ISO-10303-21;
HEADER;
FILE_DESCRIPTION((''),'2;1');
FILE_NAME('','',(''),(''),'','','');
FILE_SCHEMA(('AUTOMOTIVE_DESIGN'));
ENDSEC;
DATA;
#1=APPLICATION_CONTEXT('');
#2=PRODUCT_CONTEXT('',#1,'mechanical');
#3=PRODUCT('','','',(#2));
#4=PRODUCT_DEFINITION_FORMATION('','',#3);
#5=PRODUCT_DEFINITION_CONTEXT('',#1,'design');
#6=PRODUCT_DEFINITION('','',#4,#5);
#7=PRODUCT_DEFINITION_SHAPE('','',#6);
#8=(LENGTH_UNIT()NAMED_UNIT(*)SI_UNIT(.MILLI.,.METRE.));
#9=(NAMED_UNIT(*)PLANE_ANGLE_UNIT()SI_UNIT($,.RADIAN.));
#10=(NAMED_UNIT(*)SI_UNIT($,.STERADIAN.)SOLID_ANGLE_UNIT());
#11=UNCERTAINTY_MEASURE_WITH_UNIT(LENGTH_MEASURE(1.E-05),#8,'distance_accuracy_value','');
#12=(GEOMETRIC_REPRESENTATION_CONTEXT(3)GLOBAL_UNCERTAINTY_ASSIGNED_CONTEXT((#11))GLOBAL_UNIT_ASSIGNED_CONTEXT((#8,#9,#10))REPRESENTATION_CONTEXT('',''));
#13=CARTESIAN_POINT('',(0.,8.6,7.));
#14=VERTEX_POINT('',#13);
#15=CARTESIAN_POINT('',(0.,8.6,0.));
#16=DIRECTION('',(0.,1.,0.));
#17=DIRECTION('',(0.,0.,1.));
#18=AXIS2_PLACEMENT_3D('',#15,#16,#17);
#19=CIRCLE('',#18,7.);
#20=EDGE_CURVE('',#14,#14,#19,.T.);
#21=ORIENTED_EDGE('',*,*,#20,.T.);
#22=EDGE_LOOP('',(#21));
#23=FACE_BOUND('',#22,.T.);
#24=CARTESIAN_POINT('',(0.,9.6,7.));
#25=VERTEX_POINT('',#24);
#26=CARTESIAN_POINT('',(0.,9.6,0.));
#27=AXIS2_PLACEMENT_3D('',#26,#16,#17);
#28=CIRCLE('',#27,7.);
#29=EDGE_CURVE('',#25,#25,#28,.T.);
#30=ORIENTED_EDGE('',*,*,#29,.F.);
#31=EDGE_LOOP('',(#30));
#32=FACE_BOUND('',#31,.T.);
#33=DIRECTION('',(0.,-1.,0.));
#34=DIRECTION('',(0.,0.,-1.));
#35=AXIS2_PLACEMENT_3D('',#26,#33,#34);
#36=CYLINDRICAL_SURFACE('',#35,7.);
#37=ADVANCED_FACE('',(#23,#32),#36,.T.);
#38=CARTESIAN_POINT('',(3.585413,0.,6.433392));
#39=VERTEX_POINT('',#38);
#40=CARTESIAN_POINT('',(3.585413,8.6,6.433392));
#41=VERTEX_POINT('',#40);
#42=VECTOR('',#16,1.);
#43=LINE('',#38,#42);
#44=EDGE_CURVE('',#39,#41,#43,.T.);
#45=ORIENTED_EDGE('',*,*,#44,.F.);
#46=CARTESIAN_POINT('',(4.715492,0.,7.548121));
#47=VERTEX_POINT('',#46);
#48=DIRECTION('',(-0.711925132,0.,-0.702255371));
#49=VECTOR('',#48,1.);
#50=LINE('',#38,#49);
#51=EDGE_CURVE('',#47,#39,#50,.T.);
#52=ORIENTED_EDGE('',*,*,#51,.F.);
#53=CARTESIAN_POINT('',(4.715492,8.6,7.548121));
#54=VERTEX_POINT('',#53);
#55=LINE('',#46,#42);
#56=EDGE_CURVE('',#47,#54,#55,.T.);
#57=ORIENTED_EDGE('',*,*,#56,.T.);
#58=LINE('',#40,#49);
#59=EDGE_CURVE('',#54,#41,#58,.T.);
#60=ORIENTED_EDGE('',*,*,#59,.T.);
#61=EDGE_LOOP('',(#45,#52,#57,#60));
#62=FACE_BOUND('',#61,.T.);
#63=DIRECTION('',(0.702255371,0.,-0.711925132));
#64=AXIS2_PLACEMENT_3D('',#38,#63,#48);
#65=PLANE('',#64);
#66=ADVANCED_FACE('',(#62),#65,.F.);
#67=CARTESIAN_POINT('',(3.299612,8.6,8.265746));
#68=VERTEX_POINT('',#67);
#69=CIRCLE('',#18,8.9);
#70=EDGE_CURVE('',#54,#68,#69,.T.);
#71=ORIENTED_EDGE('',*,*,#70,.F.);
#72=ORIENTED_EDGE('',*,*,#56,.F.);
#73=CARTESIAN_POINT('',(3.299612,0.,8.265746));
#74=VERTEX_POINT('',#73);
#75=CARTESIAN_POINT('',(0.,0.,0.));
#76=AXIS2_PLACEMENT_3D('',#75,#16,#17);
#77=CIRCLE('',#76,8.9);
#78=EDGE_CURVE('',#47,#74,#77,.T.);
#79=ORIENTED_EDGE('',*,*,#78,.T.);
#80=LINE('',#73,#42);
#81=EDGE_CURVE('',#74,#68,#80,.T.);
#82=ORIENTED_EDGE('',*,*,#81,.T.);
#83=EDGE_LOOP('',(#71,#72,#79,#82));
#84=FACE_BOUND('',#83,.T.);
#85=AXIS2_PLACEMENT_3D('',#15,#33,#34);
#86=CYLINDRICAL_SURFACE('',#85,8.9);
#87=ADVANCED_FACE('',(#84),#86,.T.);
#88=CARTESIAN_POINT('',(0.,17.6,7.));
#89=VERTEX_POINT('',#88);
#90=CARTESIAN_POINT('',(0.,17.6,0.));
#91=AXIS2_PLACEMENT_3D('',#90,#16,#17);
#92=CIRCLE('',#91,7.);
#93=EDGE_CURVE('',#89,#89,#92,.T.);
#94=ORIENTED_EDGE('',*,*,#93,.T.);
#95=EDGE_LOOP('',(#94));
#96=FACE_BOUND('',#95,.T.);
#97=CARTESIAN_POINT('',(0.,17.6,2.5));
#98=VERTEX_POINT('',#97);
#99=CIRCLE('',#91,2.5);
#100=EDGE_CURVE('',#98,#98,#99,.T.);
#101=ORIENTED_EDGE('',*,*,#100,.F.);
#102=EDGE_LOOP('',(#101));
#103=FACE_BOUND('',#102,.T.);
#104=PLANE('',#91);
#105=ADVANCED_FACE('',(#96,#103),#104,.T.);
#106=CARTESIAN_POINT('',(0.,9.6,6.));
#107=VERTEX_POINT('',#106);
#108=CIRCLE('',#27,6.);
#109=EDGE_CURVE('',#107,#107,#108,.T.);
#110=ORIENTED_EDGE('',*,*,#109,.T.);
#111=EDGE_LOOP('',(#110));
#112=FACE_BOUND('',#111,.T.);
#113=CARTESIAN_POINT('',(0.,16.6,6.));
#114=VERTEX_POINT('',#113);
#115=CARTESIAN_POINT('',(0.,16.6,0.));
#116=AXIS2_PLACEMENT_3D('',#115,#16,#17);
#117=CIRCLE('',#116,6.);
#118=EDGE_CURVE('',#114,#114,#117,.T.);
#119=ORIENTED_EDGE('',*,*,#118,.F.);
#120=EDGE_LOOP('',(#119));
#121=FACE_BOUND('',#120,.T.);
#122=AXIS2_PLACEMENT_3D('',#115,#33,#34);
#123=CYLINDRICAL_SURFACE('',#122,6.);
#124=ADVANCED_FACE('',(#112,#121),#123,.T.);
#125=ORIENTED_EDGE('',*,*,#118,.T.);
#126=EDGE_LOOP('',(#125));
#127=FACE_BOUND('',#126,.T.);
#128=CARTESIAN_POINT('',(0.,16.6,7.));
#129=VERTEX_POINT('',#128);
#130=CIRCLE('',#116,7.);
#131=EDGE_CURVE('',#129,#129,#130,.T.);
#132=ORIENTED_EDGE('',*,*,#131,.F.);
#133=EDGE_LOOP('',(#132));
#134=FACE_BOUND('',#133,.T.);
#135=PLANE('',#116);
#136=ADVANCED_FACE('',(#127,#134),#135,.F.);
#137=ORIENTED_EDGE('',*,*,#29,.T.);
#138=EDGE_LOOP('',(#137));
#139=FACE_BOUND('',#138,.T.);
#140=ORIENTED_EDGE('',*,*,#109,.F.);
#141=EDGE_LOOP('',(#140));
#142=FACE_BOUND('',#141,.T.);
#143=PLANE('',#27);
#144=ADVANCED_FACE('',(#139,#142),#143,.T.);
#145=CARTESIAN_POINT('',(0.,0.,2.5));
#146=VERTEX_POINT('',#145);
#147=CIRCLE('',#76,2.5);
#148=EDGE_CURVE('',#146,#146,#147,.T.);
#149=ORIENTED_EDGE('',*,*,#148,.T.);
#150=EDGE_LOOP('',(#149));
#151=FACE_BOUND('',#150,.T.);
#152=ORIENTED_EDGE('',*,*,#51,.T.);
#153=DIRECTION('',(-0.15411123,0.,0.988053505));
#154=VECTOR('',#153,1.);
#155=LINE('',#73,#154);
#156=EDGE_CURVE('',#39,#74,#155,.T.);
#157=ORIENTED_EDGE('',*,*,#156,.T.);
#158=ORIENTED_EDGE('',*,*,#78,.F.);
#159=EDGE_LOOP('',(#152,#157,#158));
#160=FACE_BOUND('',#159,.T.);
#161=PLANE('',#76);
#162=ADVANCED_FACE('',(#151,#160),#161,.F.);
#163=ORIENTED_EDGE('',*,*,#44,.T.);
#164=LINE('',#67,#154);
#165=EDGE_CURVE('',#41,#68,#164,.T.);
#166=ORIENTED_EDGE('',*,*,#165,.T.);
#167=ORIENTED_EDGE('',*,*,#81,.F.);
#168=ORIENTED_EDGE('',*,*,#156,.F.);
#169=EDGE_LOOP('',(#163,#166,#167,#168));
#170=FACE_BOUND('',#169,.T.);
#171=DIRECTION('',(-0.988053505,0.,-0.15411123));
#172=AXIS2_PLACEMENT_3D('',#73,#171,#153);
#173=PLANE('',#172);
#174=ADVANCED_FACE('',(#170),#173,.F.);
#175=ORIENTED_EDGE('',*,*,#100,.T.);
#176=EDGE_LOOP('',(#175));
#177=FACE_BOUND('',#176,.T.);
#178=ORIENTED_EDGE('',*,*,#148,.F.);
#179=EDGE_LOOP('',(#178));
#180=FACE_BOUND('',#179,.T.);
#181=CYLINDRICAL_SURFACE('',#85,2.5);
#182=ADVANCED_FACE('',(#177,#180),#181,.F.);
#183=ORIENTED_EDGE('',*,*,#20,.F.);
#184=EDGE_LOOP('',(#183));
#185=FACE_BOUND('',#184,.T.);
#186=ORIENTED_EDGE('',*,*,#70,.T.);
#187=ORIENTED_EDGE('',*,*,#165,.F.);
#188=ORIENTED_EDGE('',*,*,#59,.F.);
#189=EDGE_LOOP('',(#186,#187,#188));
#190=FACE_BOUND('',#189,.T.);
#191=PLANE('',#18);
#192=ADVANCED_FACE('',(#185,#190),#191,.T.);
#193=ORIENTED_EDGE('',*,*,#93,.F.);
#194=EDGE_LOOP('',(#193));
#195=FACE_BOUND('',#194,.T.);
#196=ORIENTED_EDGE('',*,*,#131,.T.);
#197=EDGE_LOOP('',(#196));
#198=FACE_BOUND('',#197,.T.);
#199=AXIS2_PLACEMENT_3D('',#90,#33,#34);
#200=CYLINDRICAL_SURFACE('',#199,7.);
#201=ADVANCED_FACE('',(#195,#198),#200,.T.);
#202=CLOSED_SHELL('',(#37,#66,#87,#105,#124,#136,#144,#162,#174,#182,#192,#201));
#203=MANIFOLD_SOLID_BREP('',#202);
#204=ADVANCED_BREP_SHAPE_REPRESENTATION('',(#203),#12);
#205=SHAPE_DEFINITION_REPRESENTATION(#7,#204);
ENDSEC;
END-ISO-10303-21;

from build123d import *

# Parameters (mm, degrees)
CROQUIS1_R              = 8.9
CROQUIS1_R_2            = 2.5
SALIENTE_EXTRUIR1_DEPTH = 8.6
CROQUIS2_R              = 7
CROQUIS2_R_2            = 2.5
SALIENTE_EXTRUIR2_DEPTH = 1
CROQUIS3_R              = 6
CROQUIS3_R_2            = 2.5
SALIENTE_EXTRUIR3_DEPTH = 7
CROQUIS4_R              = 7
CROQUIS4_R_2            = 2.5
SALIENTE_EXTRUIR4_DEPTH = 1
CORTAR_EXTRUIR1_DEPTH   = 9.6


with BuildPart() as part:
    # Croquis1 → Saliente-Extruir1 (new body)
    with BuildSketch(Plane(origin=(0, 0, 0), x_dir=(1, 0, 0), z_dir=(0, 1, 0))):
        Circle(CROQUIS1_R)
        Circle(CROQUIS1_R_2, mode=Mode.SUBTRACT)
    extrude(amount=SALIENTE_EXTRUIR1_DEPTH)

    # Croquis2 → Saliente-Extruir2 (add)
    with BuildSketch(Plane(origin=(0, 8.6, 0), x_dir=(1, 0, 0), z_dir=(0, 1, 0))):
        Circle(CROQUIS2_R)
        Circle(CROQUIS2_R_2, mode=Mode.SUBTRACT)
    extrude(amount=SALIENTE_EXTRUIR2_DEPTH)

    # Croquis3 → Saliente-Extruir3 (add)
    with BuildSketch(Plane(origin=(0, 9.6, 0), x_dir=(1, 0, 0), z_dir=(0, 1, 0))):
        Circle(CROQUIS3_R)
        Circle(CROQUIS3_R_2, mode=Mode.SUBTRACT)
    extrude(amount=SALIENTE_EXTRUIR3_DEPTH)

    # Croquis4 → Saliente-Extruir4 (add)
    with BuildSketch(Plane(origin=(0, 16.6, 0), x_dir=(1, 0, 0), z_dir=(0, 1, 0))):
        Circle(CROQUIS4_R)
        Circle(CROQUIS4_R_2, mode=Mode.SUBTRACT)
    extrude(amount=SALIENTE_EXTRUIR4_DEPTH)

    # Croquis7 → Cortar-Extruir1 (cut, through all)
    with BuildSketch(Plane(origin=(0, 8.6, 0), x_dir=(1, 0, 0), z_dir=(0, 1, 0))):
        with BuildLine():
            Line((3.299612335, -8.265746091), (3.585413018, -6.433391848))
            Line((3.585413018, -6.433391848), (4.715491895, -7.548121368))
            ThreePointArc((4.715491895, -7.548121368), (4.023583013, -7.938562826), (3.299612335, -8.265746091))
        make_face()
    extrude(amount=-CORTAR_EXTRUIR1_DEPTH, mode=Mode.SUBTRACT)


solid = part.part
